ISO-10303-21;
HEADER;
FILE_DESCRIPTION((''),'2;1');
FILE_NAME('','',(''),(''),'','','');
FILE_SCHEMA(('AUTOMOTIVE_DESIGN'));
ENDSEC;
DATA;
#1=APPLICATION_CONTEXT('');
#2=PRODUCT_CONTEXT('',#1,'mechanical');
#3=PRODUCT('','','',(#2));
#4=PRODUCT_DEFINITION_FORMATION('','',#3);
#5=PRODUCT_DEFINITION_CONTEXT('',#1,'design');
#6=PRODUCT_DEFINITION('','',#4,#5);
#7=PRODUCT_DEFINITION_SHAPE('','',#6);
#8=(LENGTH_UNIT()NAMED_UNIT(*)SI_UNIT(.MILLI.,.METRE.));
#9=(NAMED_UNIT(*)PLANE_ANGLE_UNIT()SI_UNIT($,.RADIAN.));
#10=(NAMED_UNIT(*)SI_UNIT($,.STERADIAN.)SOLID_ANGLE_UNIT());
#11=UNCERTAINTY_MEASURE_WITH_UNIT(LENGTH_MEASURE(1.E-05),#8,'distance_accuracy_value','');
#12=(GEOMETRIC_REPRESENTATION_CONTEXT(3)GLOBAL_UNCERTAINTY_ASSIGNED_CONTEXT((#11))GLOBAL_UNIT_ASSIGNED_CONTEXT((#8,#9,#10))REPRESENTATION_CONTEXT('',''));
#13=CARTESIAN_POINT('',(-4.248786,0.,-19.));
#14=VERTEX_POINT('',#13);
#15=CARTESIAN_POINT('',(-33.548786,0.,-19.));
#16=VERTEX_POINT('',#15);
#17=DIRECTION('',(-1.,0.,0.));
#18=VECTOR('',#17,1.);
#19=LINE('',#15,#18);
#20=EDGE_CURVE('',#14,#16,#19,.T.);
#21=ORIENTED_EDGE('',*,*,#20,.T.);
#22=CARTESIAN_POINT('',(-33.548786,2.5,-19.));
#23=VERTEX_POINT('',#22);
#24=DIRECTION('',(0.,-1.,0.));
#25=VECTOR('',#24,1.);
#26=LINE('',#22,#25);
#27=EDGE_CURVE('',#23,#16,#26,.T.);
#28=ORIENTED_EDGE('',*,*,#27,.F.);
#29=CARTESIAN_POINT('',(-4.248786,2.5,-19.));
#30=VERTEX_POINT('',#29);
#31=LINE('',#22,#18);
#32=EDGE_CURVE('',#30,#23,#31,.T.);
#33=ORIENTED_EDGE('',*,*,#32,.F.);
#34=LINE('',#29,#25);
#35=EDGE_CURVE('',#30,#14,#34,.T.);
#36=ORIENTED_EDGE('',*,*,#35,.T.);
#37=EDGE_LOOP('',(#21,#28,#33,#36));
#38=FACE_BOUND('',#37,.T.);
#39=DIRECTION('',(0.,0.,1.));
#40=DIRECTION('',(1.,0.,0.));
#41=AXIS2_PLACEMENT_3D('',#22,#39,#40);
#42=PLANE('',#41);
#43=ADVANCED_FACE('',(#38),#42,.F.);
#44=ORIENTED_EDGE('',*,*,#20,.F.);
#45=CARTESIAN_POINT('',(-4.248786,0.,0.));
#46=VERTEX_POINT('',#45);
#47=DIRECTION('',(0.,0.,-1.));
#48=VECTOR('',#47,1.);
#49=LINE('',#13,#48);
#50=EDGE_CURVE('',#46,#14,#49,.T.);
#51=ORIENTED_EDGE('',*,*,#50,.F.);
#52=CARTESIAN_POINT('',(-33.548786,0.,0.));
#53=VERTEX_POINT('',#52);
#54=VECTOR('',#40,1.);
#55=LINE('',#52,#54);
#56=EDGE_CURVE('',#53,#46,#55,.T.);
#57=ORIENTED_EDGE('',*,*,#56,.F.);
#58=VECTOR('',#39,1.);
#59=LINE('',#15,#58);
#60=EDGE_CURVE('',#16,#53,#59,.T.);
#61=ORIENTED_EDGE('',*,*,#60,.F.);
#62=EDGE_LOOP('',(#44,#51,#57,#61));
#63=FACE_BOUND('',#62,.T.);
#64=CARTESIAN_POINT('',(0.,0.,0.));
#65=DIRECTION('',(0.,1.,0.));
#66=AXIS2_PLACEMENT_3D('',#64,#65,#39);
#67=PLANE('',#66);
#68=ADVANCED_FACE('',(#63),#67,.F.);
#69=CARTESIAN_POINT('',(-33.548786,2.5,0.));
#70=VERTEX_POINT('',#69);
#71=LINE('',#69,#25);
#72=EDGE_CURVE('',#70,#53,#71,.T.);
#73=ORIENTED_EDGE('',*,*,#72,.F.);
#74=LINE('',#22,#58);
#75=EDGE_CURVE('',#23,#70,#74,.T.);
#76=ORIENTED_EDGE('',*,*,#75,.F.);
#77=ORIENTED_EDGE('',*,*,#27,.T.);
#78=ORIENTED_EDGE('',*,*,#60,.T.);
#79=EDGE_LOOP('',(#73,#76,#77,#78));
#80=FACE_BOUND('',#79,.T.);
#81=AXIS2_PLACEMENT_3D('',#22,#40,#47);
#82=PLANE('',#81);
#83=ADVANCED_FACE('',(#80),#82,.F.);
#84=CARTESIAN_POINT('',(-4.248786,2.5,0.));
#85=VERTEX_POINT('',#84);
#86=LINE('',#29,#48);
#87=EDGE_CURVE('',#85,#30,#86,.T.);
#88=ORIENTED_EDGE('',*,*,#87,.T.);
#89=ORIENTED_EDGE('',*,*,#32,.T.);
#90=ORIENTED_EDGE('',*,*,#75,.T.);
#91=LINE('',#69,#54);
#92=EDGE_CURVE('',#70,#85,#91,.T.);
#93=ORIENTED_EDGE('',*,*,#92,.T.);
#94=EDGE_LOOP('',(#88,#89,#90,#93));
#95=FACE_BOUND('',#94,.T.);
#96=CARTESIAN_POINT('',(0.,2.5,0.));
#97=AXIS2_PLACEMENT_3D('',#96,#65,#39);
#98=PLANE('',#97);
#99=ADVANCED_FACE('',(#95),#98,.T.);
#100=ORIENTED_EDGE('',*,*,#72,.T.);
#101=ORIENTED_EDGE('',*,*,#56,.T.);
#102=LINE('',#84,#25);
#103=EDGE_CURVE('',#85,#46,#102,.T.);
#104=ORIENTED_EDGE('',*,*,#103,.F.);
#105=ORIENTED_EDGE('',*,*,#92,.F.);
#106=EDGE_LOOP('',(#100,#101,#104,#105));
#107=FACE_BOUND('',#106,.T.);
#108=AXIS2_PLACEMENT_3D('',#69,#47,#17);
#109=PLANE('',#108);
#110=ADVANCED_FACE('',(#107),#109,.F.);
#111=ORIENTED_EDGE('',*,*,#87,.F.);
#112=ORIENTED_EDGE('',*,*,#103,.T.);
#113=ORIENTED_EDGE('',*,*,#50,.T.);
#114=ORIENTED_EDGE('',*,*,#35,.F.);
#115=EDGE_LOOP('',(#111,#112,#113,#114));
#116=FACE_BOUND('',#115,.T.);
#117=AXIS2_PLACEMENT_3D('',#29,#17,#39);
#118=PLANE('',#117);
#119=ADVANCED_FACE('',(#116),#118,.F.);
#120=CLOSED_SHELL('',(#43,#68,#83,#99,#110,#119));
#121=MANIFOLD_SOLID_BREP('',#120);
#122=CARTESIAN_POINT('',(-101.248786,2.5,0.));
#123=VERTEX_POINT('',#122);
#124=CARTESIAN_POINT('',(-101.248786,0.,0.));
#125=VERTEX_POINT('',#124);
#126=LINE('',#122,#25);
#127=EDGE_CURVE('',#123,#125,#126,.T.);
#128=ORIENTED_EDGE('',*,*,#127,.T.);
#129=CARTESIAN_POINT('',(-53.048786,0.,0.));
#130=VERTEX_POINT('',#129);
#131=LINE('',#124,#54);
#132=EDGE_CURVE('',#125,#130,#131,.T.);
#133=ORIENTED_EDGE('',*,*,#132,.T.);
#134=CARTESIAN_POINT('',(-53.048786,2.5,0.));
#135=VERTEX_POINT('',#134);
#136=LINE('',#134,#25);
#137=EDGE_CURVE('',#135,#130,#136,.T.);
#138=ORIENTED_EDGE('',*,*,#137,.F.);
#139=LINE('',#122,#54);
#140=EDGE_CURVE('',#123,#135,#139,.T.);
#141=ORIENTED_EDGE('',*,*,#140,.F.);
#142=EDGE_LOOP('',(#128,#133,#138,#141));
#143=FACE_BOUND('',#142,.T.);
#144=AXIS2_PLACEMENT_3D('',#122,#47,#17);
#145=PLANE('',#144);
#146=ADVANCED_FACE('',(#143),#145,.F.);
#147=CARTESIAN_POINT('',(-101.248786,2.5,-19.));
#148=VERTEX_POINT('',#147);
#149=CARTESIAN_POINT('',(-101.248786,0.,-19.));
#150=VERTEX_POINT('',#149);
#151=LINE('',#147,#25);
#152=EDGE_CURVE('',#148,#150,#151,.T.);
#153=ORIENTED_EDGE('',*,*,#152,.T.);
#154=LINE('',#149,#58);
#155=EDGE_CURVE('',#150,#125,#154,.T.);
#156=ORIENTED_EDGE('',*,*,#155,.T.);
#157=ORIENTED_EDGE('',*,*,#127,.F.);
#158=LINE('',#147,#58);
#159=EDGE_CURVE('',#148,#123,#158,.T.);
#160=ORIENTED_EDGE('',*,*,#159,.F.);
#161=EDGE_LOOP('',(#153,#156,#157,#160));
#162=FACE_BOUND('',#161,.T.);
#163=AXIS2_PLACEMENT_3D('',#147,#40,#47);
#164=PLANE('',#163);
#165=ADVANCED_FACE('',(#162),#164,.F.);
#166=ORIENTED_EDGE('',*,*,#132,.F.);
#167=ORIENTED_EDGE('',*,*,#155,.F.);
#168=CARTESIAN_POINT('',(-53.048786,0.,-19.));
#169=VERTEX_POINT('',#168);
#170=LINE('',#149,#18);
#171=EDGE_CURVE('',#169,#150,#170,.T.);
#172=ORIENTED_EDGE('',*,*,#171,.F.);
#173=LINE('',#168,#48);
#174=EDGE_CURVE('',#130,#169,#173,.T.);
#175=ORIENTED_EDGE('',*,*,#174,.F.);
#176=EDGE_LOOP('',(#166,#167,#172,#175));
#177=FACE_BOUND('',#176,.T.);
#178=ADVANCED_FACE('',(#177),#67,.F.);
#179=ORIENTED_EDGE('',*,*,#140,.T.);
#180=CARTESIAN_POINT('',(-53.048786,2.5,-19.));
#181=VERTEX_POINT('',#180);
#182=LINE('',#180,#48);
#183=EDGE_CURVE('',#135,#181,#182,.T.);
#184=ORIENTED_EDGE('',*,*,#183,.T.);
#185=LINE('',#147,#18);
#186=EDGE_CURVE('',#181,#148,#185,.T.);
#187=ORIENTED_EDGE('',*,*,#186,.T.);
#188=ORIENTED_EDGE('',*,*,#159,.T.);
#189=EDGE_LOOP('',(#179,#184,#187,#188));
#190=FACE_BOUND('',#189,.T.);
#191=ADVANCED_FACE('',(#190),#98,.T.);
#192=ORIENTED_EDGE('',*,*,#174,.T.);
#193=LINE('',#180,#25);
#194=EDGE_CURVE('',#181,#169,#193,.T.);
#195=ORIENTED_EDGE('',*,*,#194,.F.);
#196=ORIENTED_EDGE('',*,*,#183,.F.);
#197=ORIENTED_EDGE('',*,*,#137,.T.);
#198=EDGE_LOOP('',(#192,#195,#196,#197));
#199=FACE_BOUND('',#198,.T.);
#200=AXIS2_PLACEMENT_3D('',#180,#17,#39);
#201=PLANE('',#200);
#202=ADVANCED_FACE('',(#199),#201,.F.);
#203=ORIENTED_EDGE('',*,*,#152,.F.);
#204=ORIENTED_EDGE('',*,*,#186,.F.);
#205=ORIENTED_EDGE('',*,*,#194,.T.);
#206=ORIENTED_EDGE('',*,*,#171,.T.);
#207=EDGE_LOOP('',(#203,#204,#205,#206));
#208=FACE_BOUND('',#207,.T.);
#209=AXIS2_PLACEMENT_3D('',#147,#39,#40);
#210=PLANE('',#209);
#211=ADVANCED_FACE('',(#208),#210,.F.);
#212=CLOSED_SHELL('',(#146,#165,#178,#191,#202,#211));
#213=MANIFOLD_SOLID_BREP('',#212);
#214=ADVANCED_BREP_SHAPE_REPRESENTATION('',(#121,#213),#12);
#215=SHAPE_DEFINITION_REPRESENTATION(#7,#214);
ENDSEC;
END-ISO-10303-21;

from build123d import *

# Parameters (mm, degrees)
SKETCH1_W             = 48.2
SKETCH1_H             = 19
BOSS_EXTRUDE1_DEPTH   = 2.5
SKETCH1_W_2           = 29.3
BOSS_EXTRUDE1_2_DEPTH = 2.5


with BuildPart() as part:
    # Sketch1 → Boss-Extrude1 (new body)
    with BuildSketch(Plane(origin=(0, 0, 0), x_dir=(1, 0, 0), z_dir=(0, 1, 0))):
        with Locations((-77.148785611, 9.5)):
            Rectangle(SKETCH1_W, SKETCH1_H)
    extrude(amount=BOSS_EXTRUDE1_DEPTH)


with BuildPart() as body_2:
    # Sketch1 → Boss-Extrude1 2 (new body)
    with BuildSketch(Plane(origin=(0, 0, 0), x_dir=(1, 0, 0), z_dir=(0, 1, 0))):
        with Locations((-18.898785611, 9.5)):
            Rectangle(SKETCH1_W_2, SKETCH1_H)
    extrude(amount=BOSS_EXTRUDE1_2_DEPTH)


solid = Compound([part.part, body_2.part])
